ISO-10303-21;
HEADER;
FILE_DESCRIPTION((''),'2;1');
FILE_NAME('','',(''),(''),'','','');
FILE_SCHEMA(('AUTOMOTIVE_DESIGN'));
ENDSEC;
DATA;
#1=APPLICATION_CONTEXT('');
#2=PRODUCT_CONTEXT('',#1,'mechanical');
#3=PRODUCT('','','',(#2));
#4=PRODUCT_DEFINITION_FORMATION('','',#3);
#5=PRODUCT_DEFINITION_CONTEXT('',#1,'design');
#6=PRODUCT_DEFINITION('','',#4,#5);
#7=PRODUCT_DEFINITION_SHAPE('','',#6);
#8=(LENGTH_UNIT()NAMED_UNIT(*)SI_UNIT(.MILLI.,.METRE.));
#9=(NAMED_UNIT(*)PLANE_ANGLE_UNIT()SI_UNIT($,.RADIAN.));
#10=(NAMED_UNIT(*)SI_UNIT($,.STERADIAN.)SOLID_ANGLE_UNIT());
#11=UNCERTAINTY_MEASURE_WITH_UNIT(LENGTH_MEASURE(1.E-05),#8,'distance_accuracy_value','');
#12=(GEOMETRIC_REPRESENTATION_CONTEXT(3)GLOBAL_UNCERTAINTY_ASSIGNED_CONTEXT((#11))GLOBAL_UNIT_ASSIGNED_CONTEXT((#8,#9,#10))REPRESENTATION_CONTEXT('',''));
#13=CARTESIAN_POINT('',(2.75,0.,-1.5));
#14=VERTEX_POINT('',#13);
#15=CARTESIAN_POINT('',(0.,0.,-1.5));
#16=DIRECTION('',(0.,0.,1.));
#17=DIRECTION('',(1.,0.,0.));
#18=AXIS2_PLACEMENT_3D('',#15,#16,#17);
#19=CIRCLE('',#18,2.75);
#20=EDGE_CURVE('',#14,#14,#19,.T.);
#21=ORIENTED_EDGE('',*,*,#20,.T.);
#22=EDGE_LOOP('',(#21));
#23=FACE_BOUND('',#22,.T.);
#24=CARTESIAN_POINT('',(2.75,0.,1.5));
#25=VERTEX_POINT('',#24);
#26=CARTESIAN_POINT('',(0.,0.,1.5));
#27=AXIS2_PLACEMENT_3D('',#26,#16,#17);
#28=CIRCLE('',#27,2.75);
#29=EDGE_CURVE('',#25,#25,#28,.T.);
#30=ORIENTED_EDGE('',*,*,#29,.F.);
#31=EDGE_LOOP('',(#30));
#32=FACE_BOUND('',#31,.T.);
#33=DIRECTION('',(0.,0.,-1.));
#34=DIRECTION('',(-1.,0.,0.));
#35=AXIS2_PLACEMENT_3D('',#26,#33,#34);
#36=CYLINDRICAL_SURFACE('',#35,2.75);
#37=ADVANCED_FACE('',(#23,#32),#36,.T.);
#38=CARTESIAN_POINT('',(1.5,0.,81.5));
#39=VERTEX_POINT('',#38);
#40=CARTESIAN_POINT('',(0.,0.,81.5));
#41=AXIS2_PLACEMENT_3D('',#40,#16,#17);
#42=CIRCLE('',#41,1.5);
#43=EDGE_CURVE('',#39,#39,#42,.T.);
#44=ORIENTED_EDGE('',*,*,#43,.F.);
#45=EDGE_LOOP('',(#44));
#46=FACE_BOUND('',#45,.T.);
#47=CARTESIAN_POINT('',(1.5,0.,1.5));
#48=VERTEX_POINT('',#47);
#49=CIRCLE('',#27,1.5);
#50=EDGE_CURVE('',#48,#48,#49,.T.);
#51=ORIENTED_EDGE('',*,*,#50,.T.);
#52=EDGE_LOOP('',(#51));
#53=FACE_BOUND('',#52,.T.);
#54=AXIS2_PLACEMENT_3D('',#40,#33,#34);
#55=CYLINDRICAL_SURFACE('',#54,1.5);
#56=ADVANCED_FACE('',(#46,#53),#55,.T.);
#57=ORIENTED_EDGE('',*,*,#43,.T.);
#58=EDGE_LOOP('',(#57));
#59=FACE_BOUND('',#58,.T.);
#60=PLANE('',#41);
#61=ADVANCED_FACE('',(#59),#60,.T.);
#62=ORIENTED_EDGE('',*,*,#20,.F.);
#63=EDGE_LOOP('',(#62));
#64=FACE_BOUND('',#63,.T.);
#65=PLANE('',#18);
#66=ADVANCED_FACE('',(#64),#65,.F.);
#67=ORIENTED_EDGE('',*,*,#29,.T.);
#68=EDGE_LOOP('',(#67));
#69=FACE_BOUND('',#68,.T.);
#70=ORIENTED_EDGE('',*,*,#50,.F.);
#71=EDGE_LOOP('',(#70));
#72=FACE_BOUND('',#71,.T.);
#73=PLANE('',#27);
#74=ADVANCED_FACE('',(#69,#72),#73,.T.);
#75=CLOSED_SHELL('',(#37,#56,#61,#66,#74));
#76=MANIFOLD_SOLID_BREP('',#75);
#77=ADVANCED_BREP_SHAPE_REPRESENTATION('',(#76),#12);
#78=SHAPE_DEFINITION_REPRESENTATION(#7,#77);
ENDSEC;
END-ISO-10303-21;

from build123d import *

# Parameters (mm, degrees)
SKETCH_1_R      = 2.75
EXTRUDE_1_DEPTH = 1.5
SKETCH_2_R      = 1.5
EXTRUDE_2_DEPTH = 80


with BuildPart() as part:
    # 草图1 → 凸台-拉伸1 (new, symmetric)
    with BuildSketch(Plane.XY):
        Circle(SKETCH_1_R)
    extrude(amount=EXTRUDE_1_DEPTH, both=True)

    # 草图2 → 凸台-拉伸2 (add)
    with BuildSketch(Plane.XY.offset(1.5)):
        Circle(SKETCH_2_R)
    extrude(amount=EXTRUDE_2_DEPTH)


solid = part.part
